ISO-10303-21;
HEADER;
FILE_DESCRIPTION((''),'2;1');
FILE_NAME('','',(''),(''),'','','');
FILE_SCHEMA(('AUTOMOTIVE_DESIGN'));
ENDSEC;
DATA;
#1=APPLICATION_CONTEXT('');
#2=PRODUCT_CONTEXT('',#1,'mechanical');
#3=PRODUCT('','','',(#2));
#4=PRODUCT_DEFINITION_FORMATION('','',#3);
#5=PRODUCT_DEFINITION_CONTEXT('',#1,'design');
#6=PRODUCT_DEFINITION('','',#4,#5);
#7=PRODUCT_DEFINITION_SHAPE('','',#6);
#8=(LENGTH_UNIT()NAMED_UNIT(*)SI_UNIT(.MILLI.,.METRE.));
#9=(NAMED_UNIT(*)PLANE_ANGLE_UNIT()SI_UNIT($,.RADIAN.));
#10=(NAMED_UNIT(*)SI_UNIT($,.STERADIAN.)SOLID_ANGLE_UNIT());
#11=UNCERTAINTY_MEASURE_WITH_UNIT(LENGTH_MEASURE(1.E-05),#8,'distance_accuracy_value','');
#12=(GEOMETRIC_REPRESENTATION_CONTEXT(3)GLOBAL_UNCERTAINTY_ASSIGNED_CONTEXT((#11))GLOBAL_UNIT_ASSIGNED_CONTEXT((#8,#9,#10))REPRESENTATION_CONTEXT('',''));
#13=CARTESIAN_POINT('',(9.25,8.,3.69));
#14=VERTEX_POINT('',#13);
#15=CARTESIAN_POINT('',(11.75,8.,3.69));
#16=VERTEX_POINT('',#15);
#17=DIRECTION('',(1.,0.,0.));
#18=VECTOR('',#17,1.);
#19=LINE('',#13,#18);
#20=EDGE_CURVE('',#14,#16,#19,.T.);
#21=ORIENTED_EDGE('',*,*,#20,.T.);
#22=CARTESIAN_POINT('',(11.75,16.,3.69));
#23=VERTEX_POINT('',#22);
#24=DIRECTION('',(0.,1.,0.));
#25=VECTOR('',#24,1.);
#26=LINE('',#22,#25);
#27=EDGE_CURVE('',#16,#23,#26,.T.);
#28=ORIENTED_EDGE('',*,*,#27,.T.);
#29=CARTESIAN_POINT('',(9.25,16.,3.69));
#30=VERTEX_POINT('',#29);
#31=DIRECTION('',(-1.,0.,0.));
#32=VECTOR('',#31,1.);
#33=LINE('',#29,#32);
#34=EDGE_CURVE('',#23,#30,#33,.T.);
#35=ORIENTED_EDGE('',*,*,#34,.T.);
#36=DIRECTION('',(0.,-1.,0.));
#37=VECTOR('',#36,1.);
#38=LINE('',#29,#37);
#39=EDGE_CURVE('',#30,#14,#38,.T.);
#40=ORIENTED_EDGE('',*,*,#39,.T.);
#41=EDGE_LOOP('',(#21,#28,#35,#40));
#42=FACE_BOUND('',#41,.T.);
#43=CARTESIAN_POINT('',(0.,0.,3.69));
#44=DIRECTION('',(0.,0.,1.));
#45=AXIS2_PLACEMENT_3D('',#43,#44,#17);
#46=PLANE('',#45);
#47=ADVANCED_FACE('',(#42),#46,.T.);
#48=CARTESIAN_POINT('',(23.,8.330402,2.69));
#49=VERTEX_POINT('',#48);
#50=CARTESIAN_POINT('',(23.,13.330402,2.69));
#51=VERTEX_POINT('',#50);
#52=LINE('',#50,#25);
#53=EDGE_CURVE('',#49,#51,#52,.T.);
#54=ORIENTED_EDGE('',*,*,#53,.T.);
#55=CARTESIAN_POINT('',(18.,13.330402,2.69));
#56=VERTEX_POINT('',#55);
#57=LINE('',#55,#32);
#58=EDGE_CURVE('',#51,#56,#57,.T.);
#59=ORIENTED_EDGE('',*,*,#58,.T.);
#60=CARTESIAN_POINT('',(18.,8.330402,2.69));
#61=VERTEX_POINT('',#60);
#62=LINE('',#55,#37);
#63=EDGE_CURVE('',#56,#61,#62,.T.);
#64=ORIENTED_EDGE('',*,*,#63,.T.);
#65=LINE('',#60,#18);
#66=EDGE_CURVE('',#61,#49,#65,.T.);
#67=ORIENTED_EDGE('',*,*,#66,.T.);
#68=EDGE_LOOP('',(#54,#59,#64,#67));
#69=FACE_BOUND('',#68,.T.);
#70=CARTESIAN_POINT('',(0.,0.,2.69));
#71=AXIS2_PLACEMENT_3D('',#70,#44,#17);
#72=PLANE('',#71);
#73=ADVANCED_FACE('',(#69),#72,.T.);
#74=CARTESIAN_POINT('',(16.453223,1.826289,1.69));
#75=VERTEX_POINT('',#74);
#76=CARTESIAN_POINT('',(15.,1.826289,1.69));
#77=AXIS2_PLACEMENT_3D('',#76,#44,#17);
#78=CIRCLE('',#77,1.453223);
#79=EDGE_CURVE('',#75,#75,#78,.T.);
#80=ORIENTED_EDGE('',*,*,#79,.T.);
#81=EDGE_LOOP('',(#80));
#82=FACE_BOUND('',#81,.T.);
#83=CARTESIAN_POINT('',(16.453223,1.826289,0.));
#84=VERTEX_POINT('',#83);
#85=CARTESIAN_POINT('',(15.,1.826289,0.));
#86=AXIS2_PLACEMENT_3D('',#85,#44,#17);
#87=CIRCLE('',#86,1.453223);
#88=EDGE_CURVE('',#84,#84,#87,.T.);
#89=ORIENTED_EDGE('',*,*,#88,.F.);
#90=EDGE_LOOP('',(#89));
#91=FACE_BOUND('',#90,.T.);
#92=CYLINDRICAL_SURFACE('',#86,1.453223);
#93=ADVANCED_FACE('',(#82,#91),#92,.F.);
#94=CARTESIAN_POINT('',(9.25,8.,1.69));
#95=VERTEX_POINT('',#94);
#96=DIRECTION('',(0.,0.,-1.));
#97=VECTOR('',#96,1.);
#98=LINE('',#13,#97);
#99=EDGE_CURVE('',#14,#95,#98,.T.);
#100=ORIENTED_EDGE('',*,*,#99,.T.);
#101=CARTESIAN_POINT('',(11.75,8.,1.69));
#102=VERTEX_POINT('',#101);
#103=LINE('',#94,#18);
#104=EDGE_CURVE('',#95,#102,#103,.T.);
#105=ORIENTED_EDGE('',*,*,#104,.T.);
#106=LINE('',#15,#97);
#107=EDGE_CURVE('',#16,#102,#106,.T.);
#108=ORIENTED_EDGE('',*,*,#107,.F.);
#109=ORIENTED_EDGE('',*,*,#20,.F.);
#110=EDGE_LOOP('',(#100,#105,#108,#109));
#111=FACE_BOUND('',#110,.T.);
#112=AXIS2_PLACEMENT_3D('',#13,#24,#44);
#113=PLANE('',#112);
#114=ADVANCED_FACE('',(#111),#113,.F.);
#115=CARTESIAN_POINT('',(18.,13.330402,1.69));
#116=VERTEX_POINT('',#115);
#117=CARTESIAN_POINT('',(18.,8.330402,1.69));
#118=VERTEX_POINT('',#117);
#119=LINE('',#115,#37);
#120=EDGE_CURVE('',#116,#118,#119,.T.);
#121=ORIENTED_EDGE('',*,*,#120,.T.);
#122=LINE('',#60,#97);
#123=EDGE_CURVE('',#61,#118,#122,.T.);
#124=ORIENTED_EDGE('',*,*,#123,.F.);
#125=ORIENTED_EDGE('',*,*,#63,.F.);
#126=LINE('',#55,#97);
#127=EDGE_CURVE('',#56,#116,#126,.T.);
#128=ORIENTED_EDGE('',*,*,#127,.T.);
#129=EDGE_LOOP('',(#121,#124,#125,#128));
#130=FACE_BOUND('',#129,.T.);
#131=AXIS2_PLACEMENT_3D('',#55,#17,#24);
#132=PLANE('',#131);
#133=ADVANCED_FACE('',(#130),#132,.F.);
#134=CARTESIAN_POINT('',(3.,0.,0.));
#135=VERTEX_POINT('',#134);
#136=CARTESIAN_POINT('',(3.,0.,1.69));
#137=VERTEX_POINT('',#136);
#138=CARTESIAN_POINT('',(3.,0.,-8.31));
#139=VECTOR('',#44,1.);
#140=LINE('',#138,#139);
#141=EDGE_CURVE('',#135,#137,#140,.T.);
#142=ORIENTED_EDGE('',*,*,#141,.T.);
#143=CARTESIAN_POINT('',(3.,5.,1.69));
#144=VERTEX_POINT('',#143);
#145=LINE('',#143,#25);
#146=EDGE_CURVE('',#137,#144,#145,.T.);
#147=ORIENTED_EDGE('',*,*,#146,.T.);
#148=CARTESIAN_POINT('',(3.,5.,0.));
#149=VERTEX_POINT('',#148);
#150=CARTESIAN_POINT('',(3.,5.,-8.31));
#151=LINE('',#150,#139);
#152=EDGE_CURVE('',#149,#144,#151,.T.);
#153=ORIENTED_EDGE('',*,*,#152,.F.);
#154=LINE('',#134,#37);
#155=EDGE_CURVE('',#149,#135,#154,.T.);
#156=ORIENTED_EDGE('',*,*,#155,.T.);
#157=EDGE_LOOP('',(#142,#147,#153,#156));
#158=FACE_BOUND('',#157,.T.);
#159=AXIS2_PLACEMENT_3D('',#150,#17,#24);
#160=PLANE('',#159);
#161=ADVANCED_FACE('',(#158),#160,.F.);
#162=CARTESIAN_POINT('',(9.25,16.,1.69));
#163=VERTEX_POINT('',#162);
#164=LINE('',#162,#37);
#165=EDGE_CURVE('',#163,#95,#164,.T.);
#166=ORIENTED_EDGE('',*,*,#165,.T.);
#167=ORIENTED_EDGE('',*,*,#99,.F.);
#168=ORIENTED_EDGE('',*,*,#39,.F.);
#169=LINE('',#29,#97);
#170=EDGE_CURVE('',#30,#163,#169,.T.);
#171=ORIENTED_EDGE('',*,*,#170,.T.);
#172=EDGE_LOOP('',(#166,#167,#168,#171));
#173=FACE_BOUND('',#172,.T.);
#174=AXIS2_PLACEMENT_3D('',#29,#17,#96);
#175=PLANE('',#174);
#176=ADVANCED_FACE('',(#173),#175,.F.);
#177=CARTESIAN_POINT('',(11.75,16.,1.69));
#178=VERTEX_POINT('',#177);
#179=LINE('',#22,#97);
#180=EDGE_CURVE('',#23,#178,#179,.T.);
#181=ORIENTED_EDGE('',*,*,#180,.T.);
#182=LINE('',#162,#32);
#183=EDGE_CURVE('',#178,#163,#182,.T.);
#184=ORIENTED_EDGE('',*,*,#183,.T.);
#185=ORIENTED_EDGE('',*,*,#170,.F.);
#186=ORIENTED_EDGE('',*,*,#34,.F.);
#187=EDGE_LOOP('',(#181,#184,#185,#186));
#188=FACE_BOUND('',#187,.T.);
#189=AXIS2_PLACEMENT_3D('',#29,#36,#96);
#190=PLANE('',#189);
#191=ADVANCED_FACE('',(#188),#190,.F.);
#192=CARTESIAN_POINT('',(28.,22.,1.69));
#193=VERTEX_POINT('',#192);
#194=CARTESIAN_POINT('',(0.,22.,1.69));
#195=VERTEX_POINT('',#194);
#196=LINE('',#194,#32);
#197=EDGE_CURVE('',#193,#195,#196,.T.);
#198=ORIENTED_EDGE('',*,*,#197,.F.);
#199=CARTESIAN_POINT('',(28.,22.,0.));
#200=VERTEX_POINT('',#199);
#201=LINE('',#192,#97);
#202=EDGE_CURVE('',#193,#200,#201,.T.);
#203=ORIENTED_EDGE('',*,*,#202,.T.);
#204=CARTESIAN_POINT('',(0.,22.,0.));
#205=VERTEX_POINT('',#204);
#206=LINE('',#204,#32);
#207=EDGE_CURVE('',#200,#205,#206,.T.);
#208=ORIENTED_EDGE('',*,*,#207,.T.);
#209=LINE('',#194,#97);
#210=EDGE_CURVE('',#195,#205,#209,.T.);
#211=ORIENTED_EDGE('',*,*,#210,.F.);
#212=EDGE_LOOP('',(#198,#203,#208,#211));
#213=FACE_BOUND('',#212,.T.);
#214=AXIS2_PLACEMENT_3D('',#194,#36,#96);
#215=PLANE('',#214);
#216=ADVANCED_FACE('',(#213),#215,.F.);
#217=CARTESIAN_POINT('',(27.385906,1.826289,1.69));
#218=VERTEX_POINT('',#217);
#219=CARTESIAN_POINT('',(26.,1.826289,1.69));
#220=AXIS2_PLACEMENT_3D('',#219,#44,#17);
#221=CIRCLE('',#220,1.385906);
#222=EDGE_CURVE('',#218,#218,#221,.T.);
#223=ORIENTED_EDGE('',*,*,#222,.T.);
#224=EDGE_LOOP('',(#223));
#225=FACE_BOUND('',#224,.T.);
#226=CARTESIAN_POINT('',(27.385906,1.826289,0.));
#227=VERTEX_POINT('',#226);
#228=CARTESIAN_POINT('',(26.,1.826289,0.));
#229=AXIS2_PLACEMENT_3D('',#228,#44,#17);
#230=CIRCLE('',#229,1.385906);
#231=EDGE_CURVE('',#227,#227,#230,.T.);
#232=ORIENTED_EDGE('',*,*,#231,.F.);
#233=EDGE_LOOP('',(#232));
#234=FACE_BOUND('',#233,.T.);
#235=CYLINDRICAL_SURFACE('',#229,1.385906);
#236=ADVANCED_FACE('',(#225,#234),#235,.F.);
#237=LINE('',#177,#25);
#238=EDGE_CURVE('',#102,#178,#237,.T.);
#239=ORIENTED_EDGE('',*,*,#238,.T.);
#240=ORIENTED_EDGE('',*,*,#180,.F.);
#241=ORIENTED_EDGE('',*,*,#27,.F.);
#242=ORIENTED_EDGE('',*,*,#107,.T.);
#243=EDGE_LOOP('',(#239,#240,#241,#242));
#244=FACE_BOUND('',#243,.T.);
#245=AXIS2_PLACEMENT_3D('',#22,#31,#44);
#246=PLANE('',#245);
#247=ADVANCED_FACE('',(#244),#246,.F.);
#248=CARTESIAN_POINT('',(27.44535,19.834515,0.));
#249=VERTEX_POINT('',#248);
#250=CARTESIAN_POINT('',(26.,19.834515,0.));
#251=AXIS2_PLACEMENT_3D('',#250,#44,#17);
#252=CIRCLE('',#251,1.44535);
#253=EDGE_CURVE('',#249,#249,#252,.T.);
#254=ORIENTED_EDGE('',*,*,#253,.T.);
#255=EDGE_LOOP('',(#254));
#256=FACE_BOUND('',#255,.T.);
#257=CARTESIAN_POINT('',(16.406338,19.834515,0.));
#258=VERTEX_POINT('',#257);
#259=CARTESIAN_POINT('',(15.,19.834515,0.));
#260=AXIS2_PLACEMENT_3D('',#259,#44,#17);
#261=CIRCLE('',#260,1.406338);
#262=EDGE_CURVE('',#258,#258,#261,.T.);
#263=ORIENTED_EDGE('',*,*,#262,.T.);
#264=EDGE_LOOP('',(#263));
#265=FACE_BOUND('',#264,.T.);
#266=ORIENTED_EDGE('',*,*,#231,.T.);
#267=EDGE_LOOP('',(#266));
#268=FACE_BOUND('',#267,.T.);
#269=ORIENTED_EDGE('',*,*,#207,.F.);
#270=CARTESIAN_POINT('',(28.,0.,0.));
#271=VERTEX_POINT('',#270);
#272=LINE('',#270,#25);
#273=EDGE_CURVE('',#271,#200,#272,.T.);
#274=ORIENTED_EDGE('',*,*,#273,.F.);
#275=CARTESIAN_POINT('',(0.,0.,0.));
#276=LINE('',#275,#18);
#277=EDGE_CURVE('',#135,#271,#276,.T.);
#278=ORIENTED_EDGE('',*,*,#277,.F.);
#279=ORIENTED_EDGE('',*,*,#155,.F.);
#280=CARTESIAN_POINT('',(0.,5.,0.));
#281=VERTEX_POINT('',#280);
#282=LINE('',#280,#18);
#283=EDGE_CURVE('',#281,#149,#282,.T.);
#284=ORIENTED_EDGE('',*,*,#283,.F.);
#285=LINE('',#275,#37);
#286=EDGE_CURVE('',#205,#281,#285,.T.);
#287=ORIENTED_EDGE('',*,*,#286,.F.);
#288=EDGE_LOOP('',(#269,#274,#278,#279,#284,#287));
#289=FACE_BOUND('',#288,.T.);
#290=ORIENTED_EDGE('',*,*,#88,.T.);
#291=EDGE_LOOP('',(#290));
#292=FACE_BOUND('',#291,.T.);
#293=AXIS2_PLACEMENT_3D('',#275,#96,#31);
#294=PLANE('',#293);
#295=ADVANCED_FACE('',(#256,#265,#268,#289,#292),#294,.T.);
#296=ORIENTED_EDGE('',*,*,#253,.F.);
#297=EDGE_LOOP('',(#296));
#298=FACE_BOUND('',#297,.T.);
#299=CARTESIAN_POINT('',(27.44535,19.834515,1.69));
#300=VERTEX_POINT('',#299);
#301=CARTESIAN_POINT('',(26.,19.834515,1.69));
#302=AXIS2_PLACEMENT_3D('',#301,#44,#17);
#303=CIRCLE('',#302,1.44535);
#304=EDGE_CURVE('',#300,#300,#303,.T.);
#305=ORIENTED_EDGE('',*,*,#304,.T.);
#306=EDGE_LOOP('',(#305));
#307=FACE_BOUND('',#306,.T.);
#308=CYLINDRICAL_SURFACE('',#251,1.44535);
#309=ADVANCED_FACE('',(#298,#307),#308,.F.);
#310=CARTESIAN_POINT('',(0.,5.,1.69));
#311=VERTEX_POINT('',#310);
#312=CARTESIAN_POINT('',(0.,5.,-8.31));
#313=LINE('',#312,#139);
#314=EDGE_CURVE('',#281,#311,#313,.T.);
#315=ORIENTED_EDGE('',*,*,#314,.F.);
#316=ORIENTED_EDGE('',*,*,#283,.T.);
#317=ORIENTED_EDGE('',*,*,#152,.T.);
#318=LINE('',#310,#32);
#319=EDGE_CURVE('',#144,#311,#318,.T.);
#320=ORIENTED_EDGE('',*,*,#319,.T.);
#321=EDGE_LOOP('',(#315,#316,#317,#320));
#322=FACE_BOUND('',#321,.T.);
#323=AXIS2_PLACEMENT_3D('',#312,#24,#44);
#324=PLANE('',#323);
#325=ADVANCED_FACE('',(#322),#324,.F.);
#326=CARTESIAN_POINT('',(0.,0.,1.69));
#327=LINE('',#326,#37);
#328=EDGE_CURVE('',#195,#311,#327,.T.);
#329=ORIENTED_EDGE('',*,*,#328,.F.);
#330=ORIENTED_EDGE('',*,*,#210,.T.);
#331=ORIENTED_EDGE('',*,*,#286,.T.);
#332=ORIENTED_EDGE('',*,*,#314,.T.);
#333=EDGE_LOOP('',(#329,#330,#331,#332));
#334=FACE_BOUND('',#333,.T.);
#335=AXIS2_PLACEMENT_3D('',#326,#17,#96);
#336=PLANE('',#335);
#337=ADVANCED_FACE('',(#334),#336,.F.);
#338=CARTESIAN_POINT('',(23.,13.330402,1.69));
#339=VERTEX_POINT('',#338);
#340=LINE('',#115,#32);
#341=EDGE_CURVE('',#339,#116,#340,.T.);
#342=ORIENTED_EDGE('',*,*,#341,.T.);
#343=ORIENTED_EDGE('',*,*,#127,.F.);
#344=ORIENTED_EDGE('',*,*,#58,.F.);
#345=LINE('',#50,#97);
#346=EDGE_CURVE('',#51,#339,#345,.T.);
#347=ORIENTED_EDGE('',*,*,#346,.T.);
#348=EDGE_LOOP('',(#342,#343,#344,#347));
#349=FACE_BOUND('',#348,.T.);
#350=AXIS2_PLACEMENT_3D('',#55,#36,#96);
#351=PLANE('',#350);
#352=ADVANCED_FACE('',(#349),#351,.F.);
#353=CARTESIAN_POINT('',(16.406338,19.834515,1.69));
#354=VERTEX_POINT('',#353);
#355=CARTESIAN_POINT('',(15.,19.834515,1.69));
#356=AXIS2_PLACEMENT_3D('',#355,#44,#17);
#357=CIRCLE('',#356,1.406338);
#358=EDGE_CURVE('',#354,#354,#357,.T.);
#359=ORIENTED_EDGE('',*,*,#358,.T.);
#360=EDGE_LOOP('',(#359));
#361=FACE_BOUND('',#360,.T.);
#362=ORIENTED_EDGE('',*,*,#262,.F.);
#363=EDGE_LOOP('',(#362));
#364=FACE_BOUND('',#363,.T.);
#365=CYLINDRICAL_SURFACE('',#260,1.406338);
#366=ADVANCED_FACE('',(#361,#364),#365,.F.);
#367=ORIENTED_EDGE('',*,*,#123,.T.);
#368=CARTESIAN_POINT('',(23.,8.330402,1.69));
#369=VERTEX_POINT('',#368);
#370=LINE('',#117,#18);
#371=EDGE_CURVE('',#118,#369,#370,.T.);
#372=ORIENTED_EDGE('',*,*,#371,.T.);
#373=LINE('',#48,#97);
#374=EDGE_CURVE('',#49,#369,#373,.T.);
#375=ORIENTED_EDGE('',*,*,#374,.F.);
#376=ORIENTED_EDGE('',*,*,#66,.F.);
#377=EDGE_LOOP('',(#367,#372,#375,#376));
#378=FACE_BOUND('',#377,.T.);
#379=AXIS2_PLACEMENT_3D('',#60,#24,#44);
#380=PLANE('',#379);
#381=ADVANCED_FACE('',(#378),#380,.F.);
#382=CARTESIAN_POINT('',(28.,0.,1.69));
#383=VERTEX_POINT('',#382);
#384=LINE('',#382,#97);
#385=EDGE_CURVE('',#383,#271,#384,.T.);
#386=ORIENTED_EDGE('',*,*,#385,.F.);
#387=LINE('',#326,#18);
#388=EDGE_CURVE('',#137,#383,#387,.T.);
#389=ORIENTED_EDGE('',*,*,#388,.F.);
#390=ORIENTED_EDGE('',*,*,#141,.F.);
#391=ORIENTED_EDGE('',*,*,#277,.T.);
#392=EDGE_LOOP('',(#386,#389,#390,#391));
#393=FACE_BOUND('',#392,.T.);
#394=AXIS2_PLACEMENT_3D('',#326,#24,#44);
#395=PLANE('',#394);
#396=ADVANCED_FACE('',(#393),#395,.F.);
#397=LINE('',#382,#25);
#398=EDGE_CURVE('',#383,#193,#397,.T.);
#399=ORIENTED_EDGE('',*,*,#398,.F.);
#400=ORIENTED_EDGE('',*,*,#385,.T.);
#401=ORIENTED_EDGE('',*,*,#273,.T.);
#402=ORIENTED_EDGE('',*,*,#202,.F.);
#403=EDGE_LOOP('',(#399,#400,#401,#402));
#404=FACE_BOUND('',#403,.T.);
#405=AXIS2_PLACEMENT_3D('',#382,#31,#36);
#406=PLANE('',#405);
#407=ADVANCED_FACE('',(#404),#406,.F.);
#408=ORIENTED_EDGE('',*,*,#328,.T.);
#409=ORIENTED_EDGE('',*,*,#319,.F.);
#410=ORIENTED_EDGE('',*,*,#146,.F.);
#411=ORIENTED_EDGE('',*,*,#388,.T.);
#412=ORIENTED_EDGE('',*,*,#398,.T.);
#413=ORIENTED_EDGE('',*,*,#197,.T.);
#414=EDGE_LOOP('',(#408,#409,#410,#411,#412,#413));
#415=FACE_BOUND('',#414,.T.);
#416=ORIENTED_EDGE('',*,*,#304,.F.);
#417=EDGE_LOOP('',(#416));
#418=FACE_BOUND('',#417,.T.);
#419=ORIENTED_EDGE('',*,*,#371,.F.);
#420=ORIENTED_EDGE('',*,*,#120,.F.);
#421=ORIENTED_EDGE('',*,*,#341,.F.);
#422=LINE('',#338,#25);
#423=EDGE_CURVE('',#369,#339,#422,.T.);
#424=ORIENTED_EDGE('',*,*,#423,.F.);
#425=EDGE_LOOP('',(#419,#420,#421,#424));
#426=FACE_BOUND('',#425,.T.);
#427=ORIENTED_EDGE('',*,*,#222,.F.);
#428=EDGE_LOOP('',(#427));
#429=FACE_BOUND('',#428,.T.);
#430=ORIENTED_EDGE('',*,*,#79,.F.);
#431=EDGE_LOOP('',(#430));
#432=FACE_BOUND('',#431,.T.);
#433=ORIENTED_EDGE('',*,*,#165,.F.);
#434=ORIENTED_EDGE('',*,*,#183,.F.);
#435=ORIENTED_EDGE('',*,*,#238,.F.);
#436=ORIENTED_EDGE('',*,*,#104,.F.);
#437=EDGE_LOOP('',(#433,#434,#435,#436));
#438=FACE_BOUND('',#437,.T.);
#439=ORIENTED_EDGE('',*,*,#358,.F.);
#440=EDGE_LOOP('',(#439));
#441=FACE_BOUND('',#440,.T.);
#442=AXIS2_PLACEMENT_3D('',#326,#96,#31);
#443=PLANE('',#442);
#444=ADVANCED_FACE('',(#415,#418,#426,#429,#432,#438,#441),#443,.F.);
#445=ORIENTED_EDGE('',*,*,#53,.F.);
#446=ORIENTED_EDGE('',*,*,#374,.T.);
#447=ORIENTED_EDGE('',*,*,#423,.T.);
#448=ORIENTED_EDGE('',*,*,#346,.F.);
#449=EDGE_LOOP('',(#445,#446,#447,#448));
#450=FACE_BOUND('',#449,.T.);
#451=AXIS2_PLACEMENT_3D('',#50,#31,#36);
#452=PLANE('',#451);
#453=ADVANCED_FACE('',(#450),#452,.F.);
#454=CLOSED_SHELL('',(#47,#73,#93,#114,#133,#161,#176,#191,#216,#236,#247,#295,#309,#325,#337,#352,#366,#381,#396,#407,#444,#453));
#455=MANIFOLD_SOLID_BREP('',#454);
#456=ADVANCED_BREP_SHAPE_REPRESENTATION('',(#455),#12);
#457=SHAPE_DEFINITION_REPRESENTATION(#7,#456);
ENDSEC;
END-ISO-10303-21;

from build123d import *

# Parameters (mm, degrees)
SKETCH1_W           = 28
SKETCH1_H           = 22
BOSS_EXTRUDE1_DEPTH = 1.69
SKETCH2_R           = 1.445350302
SKETCH2_R_2         = 1.385905996
SKETCH2_R_3         = 1.453223353
SKETCH2_R_4         = 1.406338145
CUT_EXTRUDE1_DEPTH  = 1.69
SKETCH3_W           = 5
SKETCH3_H           = 5
BOSS_EXTRUDE2_DEPTH = 1
SKETCH4_W           = 2.5
SKETCH4_H           = 8
BOSS_EXTRUDE3_DEPTH = 2
SKETCH5_W           = 3
SKETCH5_H           = 5
CUT_EXTRUDE2_DEPTH  = 10


with BuildPart() as part:
    # Sketch1 → Boss-Extrude1 (new body)
    with BuildSketch(Plane.XY):
        with Locations((14, 11)):
            Rectangle(SKETCH1_W, SKETCH1_H)
    extrude(amount=BOSS_EXTRUDE1_DEPTH)

    # Sketch2 → Cut-Extrude1 (cut)
    with BuildSketch(Plane.XY.offset(1.69)):
        with Locations((26, 19.834515058)):
            Circle(SKETCH2_R)
        with Locations((26, 1.826288901)):
            Circle(SKETCH2_R_2)
        with Locations((15, 1.826288901)):
            Circle(SKETCH2_R_3)
        with Locations((15, 19.834515058)):
            Circle(SKETCH2_R_4)
    extrude(amount=-CUT_EXTRUDE1_DEPTH, mode=Mode.SUBTRACT)

    # Sketch3 → Boss-Extrude2 (add)
    with BuildSketch(Plane.XY.offset(1.69)):
        with Locations((20.5, 10.83040198)):
            Rectangle(SKETCH3_W, SKETCH3_H)
    extrude(amount=BOSS_EXTRUDE2_DEPTH)

    # Sketch4 → Boss-Extrude3 (add)
    with BuildSketch(Plane.XY.offset(1.69)):
        with Locations((10.5, 12)):
            Rectangle(SKETCH4_W, SKETCH4_H)
    extrude(amount=BOSS_EXTRUDE3_DEPTH)

    # Sketch5 → Cut-Extrude2 (cut)
    with BuildSketch(Plane.XY.offset(1.69)):
        with Locations((1.5, 2.5)):
            Rectangle(SKETCH5_W, SKETCH5_H)
    extrude(amount=-CUT_EXTRUDE2_DEPTH, mode=Mode.SUBTRACT)


solid = part.part
